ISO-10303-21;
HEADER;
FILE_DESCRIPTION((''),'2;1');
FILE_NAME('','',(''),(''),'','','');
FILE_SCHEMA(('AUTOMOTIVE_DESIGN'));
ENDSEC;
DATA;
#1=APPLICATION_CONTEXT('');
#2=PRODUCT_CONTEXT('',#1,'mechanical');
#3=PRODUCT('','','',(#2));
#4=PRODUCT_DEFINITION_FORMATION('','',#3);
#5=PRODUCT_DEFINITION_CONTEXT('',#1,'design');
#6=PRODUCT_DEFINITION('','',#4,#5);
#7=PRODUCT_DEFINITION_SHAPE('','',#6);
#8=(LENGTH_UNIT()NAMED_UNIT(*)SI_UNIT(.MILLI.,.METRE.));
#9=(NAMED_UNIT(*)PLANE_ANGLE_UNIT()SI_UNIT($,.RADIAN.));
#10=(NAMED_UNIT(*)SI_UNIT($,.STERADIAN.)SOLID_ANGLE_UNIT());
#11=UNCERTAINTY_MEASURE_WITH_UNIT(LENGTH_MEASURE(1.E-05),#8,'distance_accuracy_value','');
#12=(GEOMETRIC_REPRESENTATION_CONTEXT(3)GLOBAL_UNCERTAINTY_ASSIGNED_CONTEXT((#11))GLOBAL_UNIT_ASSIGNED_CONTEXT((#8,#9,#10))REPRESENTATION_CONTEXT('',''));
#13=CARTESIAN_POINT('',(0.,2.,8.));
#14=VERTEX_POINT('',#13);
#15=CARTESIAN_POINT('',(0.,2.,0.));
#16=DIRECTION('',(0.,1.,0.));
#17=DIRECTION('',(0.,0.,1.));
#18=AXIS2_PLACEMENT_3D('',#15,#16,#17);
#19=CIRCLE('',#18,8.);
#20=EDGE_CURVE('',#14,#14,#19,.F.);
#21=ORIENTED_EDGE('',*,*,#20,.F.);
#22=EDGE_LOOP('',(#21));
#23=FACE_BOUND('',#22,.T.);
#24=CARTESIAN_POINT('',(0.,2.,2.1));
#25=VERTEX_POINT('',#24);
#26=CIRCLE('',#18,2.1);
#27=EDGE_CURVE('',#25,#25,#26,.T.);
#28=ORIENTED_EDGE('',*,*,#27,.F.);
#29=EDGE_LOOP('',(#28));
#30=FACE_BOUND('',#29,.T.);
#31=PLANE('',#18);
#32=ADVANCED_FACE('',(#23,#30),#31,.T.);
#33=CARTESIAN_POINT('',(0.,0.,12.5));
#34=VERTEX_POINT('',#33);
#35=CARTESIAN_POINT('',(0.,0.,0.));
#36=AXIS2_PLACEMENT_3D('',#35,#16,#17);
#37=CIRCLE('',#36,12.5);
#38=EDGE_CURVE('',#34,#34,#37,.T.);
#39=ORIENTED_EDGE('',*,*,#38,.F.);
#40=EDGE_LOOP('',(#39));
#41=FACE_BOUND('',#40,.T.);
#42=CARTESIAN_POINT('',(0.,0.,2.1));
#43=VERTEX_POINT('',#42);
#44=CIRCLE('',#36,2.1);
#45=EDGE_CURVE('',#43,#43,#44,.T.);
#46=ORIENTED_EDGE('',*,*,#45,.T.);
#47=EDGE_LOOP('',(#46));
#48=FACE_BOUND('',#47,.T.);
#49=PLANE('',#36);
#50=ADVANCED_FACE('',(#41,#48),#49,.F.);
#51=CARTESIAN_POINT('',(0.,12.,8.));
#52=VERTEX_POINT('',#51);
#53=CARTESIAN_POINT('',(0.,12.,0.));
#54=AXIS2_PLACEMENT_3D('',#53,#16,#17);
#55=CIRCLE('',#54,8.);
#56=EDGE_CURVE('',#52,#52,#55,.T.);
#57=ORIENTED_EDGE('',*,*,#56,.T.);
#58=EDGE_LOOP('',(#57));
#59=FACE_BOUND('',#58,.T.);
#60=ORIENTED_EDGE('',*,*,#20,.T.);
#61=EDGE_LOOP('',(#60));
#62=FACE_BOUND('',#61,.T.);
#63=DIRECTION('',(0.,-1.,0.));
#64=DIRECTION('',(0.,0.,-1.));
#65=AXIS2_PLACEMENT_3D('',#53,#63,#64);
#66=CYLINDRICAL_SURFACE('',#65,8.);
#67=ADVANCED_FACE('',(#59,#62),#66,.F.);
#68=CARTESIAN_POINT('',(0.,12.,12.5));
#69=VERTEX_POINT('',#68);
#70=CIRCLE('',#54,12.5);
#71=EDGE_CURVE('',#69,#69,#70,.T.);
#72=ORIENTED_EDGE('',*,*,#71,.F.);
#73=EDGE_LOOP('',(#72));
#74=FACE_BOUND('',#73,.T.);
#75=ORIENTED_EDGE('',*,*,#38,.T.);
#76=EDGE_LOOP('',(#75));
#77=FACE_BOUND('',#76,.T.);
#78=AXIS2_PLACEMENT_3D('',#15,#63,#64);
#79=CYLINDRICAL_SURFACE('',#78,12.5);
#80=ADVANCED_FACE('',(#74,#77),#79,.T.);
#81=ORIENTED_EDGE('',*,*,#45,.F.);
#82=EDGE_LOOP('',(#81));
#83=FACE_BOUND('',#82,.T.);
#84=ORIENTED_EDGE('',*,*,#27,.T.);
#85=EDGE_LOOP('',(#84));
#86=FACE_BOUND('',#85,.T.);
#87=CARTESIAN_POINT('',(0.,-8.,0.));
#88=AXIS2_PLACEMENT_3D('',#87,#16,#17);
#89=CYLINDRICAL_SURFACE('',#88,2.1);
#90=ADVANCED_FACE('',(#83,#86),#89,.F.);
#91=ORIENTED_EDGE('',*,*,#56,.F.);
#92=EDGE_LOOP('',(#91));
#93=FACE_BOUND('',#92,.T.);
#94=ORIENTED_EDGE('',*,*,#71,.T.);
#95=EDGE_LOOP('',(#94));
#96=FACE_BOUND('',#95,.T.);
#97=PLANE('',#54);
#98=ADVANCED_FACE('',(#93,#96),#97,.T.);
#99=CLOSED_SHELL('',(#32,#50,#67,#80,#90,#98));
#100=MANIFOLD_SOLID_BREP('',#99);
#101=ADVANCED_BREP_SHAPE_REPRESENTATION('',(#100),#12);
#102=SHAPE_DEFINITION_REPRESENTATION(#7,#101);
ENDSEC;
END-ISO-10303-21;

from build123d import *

# Parameters (mm, degrees)
SKETCH1_R           = 12.5
BOSS_EXTRUDE1_DEPTH = 2
SKETCH2_R           = 12.5
SKETCH2_R_2         = 8
BOSS_EXTRUDE2_DEPTH = 10
SKETCH3_R           = 2.1
CUT_EXTRUDE1_DEPTH  = 10


with BuildPart() as part:
    # Sketch1 → Boss-Extrude1 (new body)
    with BuildSketch(Plane(origin=(0, 0, 0), x_dir=(1, 0, 0), z_dir=(0, 1, 0))):
        Circle(SKETCH1_R)
    extrude(amount=BOSS_EXTRUDE1_DEPTH)

    # Sketch2 → Boss-Extrude2 (add)
    with BuildSketch(Plane(origin=(0, 2, 0), x_dir=(1, 0, 0), z_dir=(0, 1, 0))):
        Circle(SKETCH2_R)
        Circle(SKETCH2_R_2, mode=Mode.SUBTRACT)
    extrude(amount=BOSS_EXTRUDE2_DEPTH)

    # Sketch3 → Cut-Extrude1 (cut)
    with BuildSketch(Plane(origin=(0, 2, 0), x_dir=(1, 0, 0), z_dir=(0, 1, 0))):
        Circle(SKETCH3_R)
    extrude(amount=-CUT_EXTRUDE1_DEPTH, mode=Mode.SUBTRACT)


solid = part.part
